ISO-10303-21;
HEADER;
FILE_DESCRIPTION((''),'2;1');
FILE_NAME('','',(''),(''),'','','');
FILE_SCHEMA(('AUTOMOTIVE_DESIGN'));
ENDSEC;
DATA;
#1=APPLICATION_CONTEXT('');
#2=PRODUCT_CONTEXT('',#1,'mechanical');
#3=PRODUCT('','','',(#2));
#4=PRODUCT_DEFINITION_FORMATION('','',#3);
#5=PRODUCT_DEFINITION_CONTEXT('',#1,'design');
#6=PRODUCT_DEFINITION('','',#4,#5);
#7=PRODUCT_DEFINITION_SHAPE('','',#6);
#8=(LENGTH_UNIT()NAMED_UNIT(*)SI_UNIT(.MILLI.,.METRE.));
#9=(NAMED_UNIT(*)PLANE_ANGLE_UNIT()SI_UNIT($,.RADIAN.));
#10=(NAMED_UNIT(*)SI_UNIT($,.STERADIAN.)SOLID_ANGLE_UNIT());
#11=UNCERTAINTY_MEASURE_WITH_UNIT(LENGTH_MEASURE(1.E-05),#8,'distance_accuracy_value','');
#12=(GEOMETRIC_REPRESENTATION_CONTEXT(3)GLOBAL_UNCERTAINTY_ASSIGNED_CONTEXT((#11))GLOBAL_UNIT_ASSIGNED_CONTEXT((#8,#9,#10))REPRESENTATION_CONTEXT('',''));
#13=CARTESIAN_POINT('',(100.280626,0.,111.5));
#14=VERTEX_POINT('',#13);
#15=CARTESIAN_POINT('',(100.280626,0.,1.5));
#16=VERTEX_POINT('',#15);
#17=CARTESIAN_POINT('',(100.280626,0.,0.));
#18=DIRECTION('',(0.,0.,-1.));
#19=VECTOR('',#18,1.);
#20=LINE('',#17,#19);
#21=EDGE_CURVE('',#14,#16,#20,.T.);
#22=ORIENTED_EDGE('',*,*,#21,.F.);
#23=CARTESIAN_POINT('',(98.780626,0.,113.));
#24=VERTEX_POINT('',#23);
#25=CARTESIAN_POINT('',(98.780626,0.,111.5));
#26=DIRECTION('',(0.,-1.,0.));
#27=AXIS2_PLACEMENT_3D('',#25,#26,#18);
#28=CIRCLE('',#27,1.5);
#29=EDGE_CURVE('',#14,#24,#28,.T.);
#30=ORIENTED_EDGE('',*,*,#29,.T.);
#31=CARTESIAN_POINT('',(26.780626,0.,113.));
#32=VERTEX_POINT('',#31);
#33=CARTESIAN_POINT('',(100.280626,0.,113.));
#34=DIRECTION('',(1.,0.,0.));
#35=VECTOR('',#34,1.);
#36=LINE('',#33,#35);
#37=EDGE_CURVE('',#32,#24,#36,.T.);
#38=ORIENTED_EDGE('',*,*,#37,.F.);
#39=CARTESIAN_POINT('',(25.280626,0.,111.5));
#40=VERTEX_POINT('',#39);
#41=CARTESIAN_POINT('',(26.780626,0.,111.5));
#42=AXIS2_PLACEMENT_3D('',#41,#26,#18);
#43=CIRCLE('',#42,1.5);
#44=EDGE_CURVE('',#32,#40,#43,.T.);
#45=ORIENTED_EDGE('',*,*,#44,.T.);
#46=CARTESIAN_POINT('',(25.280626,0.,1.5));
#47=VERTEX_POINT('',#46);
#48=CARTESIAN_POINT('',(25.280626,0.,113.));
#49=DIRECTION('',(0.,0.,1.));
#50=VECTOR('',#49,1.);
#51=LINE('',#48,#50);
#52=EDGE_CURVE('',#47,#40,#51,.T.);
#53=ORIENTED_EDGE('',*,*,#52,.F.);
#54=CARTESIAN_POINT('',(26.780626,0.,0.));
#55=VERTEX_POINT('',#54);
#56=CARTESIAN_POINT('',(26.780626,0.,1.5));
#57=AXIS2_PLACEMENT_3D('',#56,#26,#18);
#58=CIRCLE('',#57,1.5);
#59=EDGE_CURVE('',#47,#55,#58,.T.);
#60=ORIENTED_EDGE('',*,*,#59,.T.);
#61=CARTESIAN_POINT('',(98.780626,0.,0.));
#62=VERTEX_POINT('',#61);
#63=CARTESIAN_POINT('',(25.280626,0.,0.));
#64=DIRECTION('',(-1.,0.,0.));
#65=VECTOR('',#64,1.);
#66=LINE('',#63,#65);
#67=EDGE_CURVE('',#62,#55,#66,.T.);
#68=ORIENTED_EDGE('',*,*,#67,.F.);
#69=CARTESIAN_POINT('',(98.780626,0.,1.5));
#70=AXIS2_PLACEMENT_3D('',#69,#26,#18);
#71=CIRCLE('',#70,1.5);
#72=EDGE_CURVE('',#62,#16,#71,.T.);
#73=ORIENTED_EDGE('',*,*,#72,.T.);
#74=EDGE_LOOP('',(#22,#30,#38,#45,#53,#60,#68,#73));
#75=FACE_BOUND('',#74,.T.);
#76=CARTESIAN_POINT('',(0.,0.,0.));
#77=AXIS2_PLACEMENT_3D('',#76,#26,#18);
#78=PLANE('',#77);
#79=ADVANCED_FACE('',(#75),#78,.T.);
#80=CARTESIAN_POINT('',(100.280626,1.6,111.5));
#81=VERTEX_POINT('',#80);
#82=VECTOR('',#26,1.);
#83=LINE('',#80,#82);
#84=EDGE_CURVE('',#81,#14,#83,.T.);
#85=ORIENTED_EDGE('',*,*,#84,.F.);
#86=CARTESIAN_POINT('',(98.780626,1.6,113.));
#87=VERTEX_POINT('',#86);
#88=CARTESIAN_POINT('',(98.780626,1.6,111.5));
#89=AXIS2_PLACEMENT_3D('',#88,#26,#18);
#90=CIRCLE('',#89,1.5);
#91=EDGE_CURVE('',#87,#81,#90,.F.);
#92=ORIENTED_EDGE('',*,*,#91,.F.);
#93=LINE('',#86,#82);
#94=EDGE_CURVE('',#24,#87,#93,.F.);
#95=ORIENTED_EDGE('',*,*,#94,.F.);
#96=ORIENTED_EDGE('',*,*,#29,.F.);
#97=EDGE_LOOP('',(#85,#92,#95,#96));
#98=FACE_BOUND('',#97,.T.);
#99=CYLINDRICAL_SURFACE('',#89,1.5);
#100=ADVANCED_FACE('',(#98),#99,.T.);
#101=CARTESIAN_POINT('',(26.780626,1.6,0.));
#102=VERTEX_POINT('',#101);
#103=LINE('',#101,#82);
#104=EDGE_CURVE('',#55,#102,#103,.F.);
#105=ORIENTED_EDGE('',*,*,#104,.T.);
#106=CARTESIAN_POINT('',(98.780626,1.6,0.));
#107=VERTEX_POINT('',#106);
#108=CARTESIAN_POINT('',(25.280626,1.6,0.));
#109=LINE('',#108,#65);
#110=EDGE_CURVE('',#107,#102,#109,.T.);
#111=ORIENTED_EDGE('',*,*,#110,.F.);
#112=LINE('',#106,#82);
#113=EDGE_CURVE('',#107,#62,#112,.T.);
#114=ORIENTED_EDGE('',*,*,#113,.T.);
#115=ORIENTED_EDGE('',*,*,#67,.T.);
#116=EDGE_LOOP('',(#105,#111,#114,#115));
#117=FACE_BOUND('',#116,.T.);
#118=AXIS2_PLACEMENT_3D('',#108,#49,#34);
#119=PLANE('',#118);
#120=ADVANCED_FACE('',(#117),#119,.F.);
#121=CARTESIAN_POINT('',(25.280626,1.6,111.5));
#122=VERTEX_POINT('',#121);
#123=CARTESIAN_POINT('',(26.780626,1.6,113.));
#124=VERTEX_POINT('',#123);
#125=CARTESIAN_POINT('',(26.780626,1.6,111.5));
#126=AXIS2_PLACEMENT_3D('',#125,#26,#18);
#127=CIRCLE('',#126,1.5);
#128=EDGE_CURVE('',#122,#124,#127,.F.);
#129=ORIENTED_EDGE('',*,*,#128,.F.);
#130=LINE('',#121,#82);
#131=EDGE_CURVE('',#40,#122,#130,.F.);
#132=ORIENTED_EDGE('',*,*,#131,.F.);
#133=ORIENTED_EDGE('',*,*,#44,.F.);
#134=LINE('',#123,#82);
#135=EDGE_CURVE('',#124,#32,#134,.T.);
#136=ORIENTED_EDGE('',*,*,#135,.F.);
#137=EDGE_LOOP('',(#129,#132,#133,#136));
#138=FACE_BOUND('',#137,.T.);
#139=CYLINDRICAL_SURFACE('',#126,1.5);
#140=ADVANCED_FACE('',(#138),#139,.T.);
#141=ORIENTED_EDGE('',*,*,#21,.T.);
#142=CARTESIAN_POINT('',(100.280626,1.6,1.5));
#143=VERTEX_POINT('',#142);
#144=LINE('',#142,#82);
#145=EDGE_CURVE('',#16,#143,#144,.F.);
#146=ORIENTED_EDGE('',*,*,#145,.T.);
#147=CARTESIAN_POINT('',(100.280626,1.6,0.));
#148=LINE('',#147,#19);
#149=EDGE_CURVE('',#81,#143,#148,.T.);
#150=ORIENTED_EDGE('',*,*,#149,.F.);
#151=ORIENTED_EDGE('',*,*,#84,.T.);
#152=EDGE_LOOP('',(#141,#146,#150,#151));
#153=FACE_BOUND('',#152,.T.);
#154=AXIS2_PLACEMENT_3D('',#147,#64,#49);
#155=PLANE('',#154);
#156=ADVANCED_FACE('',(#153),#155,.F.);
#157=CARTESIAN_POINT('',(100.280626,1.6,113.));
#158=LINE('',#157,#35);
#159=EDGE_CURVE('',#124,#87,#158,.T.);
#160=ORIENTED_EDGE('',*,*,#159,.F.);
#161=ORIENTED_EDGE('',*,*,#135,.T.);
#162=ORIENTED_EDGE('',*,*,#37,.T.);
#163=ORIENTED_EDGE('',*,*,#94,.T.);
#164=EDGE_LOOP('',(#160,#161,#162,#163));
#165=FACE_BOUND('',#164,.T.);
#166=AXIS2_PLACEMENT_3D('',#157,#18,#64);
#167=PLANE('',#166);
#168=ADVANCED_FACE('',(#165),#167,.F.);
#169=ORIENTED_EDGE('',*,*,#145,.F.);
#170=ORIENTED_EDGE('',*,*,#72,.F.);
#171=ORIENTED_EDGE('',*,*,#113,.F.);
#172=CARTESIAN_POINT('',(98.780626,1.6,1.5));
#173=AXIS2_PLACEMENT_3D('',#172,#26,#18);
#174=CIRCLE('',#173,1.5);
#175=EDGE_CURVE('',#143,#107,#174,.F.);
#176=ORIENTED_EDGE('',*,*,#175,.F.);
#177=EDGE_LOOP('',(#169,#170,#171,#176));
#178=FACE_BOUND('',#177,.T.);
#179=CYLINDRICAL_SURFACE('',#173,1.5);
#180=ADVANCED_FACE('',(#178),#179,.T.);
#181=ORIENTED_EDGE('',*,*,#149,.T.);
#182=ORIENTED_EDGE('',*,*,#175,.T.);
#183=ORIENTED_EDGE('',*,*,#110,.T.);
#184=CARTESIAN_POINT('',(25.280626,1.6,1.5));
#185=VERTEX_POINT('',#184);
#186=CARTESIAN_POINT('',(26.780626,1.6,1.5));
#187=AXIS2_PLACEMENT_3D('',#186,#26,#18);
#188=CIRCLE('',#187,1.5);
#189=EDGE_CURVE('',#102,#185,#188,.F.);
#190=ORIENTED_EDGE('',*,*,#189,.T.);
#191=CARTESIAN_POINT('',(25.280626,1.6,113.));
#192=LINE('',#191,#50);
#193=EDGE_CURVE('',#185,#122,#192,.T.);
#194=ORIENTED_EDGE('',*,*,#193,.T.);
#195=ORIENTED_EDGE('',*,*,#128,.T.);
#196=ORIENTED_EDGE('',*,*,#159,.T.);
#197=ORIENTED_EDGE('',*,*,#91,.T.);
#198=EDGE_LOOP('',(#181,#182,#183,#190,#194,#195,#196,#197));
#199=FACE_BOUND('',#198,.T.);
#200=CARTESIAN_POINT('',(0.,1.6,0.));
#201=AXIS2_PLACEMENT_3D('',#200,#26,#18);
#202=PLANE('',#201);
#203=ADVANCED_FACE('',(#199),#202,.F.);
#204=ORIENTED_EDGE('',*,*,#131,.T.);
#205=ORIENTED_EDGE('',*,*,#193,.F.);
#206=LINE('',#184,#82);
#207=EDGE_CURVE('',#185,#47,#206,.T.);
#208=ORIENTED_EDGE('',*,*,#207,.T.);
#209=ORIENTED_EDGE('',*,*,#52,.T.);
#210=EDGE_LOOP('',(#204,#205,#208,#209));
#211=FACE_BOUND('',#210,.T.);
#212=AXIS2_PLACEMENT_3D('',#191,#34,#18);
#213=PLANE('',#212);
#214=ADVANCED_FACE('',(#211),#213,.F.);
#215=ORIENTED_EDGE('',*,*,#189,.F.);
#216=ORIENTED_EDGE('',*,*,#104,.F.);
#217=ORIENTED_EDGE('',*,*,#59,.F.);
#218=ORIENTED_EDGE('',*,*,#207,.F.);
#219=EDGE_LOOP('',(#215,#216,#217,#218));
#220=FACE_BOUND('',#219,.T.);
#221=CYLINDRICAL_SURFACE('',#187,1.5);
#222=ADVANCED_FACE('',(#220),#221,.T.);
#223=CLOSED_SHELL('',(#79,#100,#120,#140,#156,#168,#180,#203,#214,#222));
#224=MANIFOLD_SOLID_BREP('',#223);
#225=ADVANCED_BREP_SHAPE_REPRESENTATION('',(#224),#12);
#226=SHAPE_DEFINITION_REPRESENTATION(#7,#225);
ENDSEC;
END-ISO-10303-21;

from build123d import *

# Parameters (mm, degrees)
SKETCH_1_W      = 75
SKETCH_1_H      = 113
EXTRUDE_1_DEPTH = 1.6
FILLET_1_R      = 1.5


with BuildPart() as part:
    # 草图1 → 凸台-拉伸1 (new body)
    with BuildSketch(Plane(origin=(0, 0, 0), x_dir=(1, 0, 0), z_dir=(0, 1, 0))):
        with Locations((62.780625722, -56.5)):
            Rectangle(SKETCH_1_W, SKETCH_1_H)
    extrude(amount=EXTRUDE_1_DEPTH)

    # 圆角1
    fillet_1_edges = [part.edges().sort_by_distance(p)[0] for p in [
        (25.280625722, 0.8, 0),
        (100.280625722, 0.8, 0),
        (100.280625722, 0.8, 113),
        (25.280625722, 0.8, 113),
    ]]
    fillet(fillet_1_edges, radius=FILLET_1_R)


solid = part.part
